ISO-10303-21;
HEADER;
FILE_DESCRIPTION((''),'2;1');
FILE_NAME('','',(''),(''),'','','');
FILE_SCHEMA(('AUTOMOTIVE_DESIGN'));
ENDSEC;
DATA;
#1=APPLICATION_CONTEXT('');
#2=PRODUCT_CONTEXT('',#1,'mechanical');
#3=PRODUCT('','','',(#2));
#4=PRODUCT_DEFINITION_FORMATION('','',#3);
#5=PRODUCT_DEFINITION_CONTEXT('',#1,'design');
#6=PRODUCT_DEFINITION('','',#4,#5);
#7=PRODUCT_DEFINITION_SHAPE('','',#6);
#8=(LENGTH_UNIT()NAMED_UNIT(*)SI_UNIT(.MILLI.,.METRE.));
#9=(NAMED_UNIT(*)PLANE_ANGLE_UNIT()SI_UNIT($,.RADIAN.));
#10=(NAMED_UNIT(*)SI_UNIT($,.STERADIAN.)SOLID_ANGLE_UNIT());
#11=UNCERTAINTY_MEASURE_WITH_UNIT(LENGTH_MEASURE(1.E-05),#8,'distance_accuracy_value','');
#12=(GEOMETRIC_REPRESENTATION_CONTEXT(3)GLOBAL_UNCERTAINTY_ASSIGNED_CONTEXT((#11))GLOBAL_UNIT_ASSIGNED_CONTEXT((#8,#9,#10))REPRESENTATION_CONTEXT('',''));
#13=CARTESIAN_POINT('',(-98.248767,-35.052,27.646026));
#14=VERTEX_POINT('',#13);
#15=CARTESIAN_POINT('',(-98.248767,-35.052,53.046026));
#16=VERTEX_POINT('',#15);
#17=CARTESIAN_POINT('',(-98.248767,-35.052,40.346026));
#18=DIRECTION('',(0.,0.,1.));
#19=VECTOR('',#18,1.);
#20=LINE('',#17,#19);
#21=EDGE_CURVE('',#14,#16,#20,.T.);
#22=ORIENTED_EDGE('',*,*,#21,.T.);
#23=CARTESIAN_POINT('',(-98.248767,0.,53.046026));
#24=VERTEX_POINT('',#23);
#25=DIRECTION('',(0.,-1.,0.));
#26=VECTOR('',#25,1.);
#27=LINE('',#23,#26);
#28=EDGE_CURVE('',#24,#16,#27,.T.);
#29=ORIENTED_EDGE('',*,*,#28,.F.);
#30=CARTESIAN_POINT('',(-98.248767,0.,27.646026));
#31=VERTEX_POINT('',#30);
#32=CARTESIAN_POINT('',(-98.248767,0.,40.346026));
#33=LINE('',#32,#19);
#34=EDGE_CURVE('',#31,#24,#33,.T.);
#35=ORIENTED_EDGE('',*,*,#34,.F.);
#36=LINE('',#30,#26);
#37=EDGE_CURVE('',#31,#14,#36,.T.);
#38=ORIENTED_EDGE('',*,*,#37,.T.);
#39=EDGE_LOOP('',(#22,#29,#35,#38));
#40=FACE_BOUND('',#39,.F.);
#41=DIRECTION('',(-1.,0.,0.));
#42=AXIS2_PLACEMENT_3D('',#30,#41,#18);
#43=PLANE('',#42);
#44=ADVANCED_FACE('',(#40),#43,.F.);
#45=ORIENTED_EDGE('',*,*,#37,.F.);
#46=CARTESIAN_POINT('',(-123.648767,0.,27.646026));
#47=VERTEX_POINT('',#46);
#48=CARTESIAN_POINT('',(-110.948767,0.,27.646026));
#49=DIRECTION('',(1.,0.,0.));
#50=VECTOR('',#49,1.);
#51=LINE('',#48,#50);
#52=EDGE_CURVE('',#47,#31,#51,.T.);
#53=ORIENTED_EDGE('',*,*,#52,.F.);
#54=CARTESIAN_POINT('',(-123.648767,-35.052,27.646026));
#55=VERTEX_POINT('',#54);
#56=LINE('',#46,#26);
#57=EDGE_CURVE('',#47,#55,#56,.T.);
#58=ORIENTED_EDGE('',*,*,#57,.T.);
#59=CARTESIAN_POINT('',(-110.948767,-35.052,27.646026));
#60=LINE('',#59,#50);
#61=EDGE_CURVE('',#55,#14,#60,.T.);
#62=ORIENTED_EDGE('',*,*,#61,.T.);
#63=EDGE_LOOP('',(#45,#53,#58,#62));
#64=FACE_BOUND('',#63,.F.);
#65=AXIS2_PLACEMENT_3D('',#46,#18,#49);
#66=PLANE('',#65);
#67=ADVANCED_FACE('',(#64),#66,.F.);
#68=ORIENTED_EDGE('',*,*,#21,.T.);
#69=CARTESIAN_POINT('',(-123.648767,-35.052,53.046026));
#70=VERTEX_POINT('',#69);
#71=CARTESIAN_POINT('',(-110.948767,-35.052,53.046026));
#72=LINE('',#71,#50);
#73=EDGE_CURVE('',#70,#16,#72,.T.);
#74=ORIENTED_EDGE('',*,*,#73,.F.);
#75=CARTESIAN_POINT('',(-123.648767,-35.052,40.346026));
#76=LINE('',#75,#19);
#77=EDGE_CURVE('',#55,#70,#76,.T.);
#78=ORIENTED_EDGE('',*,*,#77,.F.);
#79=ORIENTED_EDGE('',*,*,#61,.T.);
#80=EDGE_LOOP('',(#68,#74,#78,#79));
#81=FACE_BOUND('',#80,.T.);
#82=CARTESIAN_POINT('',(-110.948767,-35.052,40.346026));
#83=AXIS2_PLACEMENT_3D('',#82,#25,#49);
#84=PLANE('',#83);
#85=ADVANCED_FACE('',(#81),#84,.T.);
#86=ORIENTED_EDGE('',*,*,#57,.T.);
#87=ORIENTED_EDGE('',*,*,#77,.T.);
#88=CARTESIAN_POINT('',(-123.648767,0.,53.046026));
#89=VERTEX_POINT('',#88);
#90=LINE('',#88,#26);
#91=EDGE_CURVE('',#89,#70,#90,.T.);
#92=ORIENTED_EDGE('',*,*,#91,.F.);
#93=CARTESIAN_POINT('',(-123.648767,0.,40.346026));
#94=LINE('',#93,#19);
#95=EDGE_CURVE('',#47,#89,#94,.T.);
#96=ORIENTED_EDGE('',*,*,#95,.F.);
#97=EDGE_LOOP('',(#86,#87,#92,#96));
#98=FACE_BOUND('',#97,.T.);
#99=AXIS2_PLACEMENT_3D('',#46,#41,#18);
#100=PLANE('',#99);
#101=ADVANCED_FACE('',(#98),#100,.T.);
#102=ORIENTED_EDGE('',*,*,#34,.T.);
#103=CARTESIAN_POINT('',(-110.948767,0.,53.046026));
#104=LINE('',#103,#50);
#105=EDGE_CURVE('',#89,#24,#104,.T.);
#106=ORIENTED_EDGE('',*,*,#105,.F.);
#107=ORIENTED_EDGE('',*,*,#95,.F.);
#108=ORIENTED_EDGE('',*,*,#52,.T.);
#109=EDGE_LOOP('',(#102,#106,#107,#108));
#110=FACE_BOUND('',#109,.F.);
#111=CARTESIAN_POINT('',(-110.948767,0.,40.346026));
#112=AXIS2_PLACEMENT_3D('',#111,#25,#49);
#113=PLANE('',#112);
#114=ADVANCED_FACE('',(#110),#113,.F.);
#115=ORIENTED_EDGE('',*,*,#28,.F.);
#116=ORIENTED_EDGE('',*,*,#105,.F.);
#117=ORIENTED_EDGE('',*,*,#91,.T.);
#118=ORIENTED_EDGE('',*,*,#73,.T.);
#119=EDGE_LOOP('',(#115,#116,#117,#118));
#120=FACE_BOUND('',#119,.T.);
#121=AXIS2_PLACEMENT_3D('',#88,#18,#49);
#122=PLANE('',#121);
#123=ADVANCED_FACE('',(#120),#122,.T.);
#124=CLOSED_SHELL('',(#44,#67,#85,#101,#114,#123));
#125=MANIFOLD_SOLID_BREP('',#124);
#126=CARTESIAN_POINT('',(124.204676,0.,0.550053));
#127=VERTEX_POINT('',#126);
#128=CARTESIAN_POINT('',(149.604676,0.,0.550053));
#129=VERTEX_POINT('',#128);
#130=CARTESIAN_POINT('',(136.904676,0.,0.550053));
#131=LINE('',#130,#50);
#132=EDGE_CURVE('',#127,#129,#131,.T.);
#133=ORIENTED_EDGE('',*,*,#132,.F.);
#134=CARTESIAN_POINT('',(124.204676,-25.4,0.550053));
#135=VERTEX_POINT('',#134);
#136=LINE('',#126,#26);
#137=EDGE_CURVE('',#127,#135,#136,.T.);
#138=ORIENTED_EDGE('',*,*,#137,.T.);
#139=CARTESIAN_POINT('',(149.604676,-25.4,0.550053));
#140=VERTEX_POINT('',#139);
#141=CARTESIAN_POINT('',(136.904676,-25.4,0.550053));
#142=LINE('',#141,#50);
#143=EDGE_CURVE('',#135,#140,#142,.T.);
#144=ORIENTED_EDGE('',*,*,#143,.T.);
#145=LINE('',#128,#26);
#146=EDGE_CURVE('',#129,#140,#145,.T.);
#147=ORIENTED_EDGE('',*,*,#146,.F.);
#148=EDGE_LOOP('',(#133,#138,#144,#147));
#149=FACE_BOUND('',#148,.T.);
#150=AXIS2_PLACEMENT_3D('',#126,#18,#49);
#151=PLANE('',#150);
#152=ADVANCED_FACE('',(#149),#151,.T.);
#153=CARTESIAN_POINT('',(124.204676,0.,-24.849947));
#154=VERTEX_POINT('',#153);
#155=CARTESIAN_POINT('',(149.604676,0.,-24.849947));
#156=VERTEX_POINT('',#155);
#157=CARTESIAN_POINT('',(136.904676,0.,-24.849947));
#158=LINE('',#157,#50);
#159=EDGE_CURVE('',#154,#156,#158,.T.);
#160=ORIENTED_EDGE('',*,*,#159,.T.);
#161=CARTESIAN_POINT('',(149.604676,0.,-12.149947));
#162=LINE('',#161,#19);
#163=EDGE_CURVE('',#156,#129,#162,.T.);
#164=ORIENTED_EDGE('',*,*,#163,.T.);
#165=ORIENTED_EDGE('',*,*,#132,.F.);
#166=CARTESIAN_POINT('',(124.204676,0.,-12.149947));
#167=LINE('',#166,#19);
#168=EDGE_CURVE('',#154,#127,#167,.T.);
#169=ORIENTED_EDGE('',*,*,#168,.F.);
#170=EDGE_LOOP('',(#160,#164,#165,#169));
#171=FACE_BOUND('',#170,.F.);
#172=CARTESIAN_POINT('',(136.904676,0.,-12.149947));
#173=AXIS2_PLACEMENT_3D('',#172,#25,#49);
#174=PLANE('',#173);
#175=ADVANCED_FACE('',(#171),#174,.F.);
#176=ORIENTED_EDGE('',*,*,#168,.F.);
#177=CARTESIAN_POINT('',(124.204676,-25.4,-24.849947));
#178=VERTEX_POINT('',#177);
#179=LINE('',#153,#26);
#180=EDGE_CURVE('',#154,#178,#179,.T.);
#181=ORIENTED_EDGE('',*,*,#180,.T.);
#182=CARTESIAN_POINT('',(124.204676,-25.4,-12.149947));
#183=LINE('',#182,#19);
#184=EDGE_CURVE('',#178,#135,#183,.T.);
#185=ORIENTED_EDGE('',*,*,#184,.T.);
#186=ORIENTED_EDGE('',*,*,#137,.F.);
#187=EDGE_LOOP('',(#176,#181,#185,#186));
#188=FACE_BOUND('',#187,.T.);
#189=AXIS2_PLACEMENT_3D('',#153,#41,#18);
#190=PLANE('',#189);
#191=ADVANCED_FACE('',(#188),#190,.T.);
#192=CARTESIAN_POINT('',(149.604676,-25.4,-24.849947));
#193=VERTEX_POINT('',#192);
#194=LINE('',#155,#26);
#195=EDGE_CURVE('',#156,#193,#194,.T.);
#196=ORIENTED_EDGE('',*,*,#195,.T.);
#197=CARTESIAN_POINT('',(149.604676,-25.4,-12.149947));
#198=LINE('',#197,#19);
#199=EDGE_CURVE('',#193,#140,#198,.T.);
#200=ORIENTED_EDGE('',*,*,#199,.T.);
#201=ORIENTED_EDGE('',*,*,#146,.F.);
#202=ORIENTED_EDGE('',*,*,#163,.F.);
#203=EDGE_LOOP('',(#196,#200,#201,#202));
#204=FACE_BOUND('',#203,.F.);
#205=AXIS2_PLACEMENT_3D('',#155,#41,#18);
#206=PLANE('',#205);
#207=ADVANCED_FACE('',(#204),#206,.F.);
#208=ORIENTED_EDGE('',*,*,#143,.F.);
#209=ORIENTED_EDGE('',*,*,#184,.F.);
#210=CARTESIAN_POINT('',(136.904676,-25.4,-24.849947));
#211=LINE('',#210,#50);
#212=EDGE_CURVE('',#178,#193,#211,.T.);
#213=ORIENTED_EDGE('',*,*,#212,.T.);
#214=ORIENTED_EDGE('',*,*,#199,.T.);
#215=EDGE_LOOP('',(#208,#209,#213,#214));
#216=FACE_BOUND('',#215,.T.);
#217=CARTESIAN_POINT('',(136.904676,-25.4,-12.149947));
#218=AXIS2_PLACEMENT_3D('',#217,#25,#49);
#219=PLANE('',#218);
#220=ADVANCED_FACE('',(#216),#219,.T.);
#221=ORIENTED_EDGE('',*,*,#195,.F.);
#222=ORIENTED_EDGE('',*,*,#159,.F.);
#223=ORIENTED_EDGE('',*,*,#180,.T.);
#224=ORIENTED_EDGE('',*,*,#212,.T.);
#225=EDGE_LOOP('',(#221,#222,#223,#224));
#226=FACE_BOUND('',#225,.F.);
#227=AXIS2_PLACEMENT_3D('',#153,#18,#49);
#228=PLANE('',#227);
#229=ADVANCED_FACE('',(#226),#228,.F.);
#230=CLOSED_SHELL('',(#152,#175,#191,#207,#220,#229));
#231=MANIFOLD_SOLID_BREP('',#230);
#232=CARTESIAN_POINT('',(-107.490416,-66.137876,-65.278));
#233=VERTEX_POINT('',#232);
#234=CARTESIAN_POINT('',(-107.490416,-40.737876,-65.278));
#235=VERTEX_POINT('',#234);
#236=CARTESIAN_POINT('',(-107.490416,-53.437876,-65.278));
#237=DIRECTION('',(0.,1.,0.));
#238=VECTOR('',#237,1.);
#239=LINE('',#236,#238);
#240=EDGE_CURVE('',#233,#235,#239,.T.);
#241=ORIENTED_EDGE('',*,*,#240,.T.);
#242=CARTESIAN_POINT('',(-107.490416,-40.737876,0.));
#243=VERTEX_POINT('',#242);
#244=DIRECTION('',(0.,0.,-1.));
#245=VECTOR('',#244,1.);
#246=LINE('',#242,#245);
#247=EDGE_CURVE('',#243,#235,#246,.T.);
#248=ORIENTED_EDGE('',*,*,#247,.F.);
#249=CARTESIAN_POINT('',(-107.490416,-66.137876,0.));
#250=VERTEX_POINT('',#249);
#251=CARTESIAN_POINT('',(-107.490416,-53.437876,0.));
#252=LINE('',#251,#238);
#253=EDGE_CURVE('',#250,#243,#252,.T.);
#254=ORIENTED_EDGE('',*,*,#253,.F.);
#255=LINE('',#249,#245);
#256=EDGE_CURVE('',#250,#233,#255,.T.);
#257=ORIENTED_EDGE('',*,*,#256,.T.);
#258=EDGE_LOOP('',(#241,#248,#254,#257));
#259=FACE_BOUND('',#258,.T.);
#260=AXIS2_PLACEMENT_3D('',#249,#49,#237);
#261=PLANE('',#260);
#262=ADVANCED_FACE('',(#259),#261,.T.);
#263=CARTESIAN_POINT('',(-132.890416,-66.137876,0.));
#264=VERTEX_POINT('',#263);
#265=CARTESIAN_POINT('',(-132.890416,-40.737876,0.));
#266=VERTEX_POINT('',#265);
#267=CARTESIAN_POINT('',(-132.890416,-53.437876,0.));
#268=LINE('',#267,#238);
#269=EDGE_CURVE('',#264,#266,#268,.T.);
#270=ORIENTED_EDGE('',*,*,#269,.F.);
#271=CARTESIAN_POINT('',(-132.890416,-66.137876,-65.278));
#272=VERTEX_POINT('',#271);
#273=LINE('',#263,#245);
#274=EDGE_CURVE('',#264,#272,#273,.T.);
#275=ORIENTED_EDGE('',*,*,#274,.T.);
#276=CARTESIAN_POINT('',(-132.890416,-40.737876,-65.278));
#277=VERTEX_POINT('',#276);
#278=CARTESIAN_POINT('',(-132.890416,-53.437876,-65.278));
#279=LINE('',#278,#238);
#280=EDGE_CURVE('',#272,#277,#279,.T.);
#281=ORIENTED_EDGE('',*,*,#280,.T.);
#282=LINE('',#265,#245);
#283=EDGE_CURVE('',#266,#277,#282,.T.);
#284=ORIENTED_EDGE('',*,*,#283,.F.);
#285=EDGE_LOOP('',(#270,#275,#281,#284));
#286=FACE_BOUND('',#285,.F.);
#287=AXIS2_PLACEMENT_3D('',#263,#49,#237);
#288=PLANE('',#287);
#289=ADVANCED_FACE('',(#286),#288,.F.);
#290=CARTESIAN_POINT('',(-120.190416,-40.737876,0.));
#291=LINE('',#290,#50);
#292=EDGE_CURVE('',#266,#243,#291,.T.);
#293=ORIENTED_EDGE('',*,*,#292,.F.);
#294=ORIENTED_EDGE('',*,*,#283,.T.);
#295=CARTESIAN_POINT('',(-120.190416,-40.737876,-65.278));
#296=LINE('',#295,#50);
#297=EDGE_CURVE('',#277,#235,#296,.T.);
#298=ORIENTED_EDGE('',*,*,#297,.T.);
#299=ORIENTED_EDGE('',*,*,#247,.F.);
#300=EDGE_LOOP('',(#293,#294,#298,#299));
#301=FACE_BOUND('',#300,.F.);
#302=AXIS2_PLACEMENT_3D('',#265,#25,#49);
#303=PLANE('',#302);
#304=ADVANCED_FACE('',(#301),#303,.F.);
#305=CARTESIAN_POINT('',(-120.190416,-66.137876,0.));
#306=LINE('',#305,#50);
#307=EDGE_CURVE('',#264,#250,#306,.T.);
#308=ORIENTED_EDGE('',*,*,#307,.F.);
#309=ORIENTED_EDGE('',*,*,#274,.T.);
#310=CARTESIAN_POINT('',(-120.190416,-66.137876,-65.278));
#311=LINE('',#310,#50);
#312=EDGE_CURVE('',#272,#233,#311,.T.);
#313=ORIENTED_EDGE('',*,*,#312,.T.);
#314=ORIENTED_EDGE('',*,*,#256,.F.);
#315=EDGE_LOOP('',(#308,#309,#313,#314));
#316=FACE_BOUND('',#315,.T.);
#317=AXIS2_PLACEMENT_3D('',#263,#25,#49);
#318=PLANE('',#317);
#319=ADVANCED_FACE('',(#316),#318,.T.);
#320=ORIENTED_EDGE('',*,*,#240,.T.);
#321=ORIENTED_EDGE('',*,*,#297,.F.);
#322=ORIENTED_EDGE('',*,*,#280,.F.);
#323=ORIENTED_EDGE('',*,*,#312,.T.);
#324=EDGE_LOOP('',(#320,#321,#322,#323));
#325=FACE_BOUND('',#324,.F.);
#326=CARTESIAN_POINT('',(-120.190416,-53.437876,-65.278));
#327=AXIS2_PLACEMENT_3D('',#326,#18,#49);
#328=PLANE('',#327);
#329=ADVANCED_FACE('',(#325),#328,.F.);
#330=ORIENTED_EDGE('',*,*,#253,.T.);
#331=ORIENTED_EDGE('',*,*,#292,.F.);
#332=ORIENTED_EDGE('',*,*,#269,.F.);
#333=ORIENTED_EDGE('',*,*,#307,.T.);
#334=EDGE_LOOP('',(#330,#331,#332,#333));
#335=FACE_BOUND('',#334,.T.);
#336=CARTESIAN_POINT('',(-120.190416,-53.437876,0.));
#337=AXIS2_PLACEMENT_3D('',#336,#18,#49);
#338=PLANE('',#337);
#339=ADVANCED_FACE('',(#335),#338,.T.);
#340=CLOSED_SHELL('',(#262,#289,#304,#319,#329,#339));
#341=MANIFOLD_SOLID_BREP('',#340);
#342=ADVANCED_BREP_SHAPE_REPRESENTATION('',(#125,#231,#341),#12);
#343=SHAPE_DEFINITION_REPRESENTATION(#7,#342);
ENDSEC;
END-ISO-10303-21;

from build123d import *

# Parameters (mm, degrees)
F0_W     = 25.4
F0_H     = 25.4
F1_DEPTH = 35.052
F2_W     = 25.4
F2_H     = 25.4
F3_DEPTH = 65.278
F4_W     = 25.4
F4_H     = 25.4
F5_DEPTH = 25.4


with BuildPart() as f1:
    # F0 (on Front) → F1 (new body)
    with BuildSketch(Plane.XZ):
        with Locations((-110.948767, 40.346026)):
            Rectangle(F0_W, F0_H)
    extrude(amount=F1_DEPTH)


with BuildPart() as f3:
    # F2 (on Top) → F3 (new body)
    with BuildSketch(Plane.XY):
        with Locations((-120.190416, -53.437876)):
            Rectangle(F2_W, F2_H)
    extrude(amount=-F3_DEPTH)


with BuildPart() as f5:
    # F4 (on Front) → F5 (new body)
    with BuildSketch(Plane.XZ):
        with Locations((136.904676, -12.149947)):
            Rectangle(F4_W, F4_H)
    extrude(amount=F5_DEPTH)


solid = Compound([f1.part, f3.part, f5.part])
